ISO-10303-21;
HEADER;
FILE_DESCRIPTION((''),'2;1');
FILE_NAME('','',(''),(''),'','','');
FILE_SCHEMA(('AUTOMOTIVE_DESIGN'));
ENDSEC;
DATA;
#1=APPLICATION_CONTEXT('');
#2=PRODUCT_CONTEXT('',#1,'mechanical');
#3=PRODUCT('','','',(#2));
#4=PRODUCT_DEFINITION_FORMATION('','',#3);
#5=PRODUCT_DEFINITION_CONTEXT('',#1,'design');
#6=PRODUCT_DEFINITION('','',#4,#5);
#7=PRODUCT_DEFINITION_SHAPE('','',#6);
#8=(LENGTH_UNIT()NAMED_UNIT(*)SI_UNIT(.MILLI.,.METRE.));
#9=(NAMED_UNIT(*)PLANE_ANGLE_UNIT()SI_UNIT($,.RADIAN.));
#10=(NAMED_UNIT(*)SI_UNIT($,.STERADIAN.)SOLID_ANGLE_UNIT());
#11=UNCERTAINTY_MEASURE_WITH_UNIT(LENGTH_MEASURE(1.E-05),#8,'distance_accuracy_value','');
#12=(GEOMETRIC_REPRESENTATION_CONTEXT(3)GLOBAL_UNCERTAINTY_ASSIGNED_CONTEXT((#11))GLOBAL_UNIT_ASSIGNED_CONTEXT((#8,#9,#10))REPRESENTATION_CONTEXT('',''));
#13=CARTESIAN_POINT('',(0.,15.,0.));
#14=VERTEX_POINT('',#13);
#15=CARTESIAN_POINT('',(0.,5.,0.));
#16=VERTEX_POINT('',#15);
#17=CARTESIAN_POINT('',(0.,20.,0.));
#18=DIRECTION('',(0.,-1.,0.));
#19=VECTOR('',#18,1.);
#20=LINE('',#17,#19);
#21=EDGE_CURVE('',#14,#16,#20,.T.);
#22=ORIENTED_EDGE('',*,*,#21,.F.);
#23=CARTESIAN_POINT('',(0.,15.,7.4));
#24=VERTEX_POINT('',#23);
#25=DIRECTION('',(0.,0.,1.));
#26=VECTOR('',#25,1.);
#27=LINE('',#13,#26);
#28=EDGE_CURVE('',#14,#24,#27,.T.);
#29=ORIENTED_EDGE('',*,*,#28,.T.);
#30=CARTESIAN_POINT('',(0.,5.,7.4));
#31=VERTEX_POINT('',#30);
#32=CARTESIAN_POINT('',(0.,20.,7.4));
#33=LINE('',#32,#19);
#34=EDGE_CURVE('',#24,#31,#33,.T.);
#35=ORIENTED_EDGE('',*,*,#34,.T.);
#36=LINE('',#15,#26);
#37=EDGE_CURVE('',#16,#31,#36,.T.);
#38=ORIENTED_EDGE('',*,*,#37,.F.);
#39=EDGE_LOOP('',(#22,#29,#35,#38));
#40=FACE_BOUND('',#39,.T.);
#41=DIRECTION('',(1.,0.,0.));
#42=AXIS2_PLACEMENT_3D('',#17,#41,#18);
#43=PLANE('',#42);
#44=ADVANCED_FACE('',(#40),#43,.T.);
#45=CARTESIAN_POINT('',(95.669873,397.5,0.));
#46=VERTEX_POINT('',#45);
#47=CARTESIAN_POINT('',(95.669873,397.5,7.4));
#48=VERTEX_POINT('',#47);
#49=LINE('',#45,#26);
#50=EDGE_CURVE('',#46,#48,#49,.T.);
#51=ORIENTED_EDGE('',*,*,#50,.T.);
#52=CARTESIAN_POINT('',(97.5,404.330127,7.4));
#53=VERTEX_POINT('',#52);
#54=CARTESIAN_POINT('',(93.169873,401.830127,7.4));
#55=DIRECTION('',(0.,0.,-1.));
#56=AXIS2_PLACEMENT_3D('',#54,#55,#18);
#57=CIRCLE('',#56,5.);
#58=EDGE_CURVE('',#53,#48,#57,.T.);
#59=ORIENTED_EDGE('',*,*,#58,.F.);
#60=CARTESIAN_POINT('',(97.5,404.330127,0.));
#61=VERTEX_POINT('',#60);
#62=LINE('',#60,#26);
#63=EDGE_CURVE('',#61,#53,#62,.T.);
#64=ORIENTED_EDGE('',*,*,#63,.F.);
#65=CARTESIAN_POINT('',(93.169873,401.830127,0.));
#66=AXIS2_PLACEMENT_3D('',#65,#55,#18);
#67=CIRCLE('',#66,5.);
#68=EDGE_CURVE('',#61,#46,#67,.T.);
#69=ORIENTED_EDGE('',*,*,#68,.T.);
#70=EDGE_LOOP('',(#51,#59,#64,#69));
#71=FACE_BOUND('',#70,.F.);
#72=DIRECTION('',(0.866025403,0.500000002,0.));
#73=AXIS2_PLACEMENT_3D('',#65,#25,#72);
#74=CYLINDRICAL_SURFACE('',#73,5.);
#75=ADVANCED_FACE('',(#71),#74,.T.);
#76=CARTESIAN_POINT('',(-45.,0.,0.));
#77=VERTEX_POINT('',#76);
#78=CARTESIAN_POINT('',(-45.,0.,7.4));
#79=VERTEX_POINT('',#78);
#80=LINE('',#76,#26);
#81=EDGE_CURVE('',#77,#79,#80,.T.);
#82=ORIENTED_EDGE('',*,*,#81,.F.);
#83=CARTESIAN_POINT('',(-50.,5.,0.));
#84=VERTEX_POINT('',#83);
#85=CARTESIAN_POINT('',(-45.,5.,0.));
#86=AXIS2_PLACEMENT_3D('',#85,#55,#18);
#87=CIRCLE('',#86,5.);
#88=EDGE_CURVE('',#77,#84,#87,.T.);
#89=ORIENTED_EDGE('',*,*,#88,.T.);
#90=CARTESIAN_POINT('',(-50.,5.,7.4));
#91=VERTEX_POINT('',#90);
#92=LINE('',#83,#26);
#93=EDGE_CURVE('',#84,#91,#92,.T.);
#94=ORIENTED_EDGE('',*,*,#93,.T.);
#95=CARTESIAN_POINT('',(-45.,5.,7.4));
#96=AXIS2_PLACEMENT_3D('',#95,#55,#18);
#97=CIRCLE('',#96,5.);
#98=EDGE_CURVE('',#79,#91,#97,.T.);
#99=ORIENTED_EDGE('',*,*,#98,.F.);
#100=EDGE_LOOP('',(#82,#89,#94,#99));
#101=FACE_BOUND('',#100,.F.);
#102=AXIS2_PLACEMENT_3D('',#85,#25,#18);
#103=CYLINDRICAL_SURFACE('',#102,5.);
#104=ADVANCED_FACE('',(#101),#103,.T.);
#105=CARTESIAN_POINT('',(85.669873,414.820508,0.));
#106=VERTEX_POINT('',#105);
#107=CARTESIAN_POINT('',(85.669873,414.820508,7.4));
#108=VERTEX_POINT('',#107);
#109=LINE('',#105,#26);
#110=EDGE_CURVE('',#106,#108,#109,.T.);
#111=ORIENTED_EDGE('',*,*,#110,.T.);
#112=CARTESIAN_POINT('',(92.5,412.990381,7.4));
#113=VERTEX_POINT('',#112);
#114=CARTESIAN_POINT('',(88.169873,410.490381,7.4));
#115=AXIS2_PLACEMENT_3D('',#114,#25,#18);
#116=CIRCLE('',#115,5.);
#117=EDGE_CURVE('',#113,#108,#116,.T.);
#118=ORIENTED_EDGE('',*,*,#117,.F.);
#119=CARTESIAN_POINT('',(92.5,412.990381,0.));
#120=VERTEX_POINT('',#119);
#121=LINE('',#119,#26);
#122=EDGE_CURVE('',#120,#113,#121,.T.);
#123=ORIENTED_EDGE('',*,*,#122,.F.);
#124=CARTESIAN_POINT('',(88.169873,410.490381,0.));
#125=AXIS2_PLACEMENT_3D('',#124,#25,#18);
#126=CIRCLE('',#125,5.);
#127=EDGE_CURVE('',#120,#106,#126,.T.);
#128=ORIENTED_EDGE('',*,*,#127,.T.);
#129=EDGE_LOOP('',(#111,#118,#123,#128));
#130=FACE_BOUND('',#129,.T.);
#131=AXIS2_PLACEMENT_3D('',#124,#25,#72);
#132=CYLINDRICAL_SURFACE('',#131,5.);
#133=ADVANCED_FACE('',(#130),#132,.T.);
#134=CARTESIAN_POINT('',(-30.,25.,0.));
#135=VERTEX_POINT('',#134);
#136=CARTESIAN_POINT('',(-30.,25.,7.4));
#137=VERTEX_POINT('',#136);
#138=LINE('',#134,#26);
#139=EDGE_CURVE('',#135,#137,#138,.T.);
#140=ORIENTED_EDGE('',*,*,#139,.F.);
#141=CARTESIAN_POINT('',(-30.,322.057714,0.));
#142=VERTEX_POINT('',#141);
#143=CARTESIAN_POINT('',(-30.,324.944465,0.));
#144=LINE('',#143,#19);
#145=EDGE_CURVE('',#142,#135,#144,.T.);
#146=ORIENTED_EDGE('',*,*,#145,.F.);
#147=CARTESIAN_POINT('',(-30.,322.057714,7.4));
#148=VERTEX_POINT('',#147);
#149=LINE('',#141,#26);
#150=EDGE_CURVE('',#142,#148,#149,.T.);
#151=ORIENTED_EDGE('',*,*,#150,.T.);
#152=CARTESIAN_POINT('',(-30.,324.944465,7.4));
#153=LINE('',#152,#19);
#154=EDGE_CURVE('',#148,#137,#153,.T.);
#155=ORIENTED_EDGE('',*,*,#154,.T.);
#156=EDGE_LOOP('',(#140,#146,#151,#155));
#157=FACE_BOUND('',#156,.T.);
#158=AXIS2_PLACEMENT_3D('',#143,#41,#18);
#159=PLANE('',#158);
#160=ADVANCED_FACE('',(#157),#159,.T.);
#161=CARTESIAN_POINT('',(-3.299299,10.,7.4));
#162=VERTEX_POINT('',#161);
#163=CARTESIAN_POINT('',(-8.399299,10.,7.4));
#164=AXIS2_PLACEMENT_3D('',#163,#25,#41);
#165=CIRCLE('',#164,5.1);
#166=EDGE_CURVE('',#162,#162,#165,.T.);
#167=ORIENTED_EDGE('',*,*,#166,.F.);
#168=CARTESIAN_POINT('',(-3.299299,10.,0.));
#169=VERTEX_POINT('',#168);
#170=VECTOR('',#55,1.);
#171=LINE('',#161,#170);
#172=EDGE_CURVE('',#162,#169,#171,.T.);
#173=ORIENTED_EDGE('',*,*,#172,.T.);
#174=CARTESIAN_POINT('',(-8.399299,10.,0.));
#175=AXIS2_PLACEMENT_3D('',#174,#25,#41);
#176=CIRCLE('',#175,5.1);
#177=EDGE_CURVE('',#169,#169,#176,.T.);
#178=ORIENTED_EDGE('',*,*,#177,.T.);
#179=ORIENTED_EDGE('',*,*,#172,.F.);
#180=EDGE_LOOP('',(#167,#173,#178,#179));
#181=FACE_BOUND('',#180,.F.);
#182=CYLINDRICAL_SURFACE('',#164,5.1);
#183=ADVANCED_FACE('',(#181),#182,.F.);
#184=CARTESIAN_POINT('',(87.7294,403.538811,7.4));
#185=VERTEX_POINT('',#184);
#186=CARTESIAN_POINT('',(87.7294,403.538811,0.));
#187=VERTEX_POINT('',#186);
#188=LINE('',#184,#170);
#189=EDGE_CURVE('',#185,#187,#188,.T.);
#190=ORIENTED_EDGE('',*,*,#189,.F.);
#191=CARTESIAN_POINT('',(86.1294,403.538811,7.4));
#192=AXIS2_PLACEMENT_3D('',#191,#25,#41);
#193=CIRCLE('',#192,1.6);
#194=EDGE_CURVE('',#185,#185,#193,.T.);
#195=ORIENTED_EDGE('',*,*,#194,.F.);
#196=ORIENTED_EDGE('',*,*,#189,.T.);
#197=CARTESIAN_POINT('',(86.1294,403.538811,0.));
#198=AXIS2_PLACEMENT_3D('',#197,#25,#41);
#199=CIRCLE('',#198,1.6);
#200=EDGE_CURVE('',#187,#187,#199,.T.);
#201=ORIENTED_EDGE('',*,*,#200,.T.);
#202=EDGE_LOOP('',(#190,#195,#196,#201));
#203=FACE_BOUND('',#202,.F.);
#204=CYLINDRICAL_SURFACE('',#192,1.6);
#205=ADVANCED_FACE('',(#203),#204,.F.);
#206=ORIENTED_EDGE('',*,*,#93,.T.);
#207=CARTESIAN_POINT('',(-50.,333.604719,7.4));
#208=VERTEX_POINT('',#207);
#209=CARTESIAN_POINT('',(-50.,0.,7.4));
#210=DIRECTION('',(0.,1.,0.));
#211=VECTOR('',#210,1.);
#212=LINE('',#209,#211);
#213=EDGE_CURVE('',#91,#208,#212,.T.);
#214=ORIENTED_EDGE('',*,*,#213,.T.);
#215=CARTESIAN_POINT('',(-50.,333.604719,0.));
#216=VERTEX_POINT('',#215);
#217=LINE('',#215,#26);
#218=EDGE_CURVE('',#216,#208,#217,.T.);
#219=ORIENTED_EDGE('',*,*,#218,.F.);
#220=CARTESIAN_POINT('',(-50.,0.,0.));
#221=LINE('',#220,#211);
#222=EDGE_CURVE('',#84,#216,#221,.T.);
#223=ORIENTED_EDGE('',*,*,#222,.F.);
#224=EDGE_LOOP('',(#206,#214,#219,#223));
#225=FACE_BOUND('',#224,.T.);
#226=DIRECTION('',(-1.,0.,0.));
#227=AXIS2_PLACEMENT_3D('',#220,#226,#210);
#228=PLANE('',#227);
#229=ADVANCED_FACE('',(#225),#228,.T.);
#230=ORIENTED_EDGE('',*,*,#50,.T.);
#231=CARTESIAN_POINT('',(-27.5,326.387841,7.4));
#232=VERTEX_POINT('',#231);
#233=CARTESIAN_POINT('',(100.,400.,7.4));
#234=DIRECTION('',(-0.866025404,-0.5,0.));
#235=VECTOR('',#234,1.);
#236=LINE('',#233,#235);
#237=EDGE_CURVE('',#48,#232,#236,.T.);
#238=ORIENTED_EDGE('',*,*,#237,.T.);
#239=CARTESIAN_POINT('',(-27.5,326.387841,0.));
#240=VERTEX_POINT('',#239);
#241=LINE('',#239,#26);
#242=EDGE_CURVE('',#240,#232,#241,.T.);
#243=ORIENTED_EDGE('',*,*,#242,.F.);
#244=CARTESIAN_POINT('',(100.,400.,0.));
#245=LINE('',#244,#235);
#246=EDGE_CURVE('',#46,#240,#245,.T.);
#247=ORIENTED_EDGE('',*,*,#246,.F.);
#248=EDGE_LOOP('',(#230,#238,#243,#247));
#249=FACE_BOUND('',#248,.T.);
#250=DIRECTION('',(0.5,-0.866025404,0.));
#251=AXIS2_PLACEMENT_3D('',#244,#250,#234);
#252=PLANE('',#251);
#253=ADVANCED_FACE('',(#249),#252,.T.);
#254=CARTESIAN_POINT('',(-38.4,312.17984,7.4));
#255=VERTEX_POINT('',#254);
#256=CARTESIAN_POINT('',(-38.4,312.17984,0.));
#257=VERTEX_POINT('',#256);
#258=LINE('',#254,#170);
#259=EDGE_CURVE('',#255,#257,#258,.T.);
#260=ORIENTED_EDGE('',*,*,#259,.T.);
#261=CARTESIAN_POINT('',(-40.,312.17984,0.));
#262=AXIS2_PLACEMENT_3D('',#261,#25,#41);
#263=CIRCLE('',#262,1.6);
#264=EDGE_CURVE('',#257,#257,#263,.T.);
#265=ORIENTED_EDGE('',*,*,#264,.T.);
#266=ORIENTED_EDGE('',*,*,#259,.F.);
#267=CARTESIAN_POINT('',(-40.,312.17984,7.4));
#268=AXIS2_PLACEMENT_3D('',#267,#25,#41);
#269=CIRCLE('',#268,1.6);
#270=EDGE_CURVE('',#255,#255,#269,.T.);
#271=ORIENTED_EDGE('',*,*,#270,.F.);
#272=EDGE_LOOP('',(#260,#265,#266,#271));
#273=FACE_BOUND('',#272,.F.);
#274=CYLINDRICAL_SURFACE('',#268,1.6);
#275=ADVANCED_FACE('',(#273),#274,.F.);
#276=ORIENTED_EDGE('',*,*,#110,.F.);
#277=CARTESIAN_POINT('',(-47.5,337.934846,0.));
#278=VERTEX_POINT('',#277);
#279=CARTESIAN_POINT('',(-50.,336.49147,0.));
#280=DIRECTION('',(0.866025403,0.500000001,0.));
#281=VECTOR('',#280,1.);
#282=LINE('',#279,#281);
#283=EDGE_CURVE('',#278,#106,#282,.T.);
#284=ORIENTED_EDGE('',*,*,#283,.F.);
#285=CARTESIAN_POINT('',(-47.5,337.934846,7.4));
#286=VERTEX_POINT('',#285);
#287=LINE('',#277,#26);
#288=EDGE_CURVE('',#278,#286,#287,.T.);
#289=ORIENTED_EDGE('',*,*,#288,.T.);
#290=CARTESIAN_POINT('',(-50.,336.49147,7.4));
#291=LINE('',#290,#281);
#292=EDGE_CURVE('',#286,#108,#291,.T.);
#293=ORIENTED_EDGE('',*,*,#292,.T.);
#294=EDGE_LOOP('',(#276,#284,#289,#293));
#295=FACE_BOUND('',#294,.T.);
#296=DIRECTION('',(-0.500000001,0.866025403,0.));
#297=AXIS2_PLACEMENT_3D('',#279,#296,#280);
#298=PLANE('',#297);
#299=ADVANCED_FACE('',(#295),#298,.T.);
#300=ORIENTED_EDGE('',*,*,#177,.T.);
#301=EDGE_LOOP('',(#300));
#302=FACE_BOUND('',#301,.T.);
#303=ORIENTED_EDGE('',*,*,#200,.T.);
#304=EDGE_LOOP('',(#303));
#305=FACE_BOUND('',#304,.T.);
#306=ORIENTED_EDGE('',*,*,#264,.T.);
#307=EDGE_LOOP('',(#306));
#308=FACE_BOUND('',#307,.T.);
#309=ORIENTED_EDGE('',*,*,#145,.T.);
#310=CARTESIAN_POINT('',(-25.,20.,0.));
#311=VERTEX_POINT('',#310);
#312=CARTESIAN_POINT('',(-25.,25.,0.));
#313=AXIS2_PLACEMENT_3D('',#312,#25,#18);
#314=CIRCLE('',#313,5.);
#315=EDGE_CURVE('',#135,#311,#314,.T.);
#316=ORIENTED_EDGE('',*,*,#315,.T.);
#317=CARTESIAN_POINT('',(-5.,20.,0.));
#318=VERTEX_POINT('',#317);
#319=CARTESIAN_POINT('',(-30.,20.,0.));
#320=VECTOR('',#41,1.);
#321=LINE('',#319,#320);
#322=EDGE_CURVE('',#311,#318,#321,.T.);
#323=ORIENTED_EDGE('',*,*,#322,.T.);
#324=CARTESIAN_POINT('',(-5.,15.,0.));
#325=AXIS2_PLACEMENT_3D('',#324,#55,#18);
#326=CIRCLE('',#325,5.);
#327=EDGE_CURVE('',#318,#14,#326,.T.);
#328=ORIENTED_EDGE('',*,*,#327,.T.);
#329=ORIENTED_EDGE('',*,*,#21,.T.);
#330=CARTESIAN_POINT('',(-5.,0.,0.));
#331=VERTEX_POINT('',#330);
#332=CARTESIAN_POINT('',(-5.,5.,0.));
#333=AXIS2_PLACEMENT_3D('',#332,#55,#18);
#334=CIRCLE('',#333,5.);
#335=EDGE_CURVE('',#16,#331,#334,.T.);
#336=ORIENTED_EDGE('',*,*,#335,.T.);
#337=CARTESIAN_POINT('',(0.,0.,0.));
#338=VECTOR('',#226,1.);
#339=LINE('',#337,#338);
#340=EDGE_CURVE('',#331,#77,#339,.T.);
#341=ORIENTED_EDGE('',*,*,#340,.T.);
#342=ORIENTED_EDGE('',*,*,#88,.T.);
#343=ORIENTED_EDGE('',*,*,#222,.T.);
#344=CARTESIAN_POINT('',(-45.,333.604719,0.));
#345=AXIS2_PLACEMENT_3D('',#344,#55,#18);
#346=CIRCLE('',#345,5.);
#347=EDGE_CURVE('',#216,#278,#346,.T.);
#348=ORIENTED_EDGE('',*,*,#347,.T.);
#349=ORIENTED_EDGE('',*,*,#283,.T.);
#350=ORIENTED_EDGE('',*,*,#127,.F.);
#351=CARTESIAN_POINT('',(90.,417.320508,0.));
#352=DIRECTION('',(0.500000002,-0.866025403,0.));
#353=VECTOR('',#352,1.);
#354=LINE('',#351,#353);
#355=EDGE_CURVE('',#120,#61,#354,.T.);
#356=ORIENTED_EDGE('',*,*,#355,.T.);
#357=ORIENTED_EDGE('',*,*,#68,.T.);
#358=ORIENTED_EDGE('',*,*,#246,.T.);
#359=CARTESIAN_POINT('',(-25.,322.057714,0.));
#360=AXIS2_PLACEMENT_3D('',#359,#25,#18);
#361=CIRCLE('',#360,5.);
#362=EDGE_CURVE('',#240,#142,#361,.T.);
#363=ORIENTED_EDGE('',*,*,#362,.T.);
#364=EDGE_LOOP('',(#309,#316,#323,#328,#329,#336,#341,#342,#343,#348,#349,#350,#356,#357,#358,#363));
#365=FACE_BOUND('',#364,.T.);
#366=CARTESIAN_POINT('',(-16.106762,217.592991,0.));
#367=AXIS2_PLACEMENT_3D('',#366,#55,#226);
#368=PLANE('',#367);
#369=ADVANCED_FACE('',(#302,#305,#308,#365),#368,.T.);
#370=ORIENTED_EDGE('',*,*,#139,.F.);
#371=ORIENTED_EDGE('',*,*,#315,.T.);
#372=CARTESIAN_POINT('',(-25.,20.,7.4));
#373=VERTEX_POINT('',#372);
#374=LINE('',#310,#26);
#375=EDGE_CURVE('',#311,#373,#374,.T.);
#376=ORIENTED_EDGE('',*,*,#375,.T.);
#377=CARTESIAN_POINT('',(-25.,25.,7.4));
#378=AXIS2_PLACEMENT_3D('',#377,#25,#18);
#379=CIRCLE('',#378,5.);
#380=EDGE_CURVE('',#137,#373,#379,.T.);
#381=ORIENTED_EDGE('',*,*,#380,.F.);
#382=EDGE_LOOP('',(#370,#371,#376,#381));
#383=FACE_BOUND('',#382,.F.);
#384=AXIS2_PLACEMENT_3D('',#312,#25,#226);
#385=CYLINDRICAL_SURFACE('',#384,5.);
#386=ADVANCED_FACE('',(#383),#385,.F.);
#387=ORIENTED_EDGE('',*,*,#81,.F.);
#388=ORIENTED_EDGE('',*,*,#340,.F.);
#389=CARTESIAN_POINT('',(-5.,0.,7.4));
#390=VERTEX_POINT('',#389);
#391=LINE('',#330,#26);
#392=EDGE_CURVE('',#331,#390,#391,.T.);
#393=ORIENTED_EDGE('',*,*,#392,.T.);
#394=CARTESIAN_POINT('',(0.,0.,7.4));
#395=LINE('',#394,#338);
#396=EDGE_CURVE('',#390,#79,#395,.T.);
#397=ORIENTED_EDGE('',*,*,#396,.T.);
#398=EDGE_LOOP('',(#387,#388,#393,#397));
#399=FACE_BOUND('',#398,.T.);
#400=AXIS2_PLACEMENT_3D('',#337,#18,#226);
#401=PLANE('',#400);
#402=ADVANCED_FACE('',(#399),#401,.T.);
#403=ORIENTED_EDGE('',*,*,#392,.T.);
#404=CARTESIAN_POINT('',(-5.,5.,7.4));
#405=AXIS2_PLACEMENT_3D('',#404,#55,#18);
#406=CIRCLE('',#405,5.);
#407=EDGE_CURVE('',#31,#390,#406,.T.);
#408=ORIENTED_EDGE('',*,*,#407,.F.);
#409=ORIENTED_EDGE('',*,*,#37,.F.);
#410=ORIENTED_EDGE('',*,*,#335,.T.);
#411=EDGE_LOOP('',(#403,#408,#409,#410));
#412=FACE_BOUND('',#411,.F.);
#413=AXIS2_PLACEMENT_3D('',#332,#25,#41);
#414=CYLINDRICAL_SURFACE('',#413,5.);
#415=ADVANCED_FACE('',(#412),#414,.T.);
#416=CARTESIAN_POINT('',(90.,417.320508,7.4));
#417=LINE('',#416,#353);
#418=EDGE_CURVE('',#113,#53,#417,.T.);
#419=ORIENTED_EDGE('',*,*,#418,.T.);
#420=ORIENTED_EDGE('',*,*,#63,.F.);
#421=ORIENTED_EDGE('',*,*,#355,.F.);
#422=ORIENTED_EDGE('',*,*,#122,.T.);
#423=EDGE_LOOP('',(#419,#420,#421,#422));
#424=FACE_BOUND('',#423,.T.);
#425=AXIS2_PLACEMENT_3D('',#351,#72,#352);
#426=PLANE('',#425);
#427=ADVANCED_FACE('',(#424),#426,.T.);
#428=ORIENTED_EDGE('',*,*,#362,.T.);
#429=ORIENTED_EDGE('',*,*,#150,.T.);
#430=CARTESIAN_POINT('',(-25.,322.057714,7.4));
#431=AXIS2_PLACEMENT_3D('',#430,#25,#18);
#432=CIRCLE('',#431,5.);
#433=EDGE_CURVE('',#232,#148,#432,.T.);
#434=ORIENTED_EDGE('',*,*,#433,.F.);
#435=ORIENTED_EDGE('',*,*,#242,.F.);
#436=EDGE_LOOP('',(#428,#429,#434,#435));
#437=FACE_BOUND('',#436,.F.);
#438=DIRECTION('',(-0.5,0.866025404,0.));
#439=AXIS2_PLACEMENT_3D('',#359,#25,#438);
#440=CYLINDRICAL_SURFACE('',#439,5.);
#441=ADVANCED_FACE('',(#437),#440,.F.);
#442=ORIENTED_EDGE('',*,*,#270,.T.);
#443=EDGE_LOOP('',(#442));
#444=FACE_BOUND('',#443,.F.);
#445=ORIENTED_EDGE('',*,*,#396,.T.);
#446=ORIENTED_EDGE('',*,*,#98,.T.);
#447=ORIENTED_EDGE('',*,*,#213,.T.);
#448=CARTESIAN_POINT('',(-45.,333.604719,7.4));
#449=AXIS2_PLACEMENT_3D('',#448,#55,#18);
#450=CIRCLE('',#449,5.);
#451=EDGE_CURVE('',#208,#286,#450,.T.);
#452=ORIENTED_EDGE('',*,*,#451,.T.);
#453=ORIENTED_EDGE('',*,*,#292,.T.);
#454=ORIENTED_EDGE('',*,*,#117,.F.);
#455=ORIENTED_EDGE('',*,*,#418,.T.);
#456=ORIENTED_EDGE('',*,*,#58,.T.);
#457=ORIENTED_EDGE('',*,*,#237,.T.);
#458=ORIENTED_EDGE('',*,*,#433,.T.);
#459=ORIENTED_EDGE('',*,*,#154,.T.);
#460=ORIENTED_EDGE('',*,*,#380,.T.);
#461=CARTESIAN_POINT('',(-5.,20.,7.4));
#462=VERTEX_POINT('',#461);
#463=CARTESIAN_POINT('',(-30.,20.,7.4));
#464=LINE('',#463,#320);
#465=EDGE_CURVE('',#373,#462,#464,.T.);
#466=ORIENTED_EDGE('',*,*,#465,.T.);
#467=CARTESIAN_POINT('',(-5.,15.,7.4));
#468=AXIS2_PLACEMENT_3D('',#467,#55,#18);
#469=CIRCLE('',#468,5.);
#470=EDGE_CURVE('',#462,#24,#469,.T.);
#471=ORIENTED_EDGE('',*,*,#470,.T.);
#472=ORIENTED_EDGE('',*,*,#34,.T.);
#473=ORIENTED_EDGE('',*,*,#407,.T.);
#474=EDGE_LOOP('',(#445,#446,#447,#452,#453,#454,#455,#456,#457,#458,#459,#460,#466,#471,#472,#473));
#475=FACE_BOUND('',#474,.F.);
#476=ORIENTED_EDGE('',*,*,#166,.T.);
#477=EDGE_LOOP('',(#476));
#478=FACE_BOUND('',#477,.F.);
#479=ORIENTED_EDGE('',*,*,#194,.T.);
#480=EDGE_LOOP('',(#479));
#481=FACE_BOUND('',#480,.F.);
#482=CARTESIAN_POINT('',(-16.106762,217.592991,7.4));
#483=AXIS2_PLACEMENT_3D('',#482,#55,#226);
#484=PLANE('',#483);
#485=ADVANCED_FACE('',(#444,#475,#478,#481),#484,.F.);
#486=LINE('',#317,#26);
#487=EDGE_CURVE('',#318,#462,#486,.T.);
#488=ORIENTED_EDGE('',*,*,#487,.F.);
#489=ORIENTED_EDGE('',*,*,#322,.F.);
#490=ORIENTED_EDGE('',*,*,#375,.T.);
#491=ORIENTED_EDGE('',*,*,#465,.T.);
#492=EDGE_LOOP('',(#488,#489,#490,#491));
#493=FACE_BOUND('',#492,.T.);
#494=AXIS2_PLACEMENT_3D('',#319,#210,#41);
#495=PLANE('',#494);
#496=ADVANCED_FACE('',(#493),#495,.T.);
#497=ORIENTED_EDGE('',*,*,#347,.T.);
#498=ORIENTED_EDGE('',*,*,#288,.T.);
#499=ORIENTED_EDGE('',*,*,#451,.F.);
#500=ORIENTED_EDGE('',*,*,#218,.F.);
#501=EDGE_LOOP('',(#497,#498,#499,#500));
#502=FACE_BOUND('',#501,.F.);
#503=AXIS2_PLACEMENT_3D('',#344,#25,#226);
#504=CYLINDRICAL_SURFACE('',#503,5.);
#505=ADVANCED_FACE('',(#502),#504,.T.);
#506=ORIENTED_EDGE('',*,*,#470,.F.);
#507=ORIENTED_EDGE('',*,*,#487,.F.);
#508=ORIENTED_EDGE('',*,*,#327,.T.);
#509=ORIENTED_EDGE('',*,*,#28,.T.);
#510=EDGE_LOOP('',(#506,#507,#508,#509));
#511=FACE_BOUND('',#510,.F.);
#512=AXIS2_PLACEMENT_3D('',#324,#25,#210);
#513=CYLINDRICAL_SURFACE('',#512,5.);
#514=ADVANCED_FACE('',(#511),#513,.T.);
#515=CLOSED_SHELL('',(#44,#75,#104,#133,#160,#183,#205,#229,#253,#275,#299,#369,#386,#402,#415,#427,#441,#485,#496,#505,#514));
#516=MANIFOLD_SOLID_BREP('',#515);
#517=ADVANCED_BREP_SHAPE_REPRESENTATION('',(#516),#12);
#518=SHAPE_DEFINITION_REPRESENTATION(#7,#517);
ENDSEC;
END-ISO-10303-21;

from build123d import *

# Parameters (mm, degrees)
PAD_DEPTH     = 7.4
FILLET_R      = 5
SKETCH001_R   = 1.6
SKETCH001_R_2 = 5.1
POCKET_DEPTH  = 7.401


with BuildPart() as part:
    # Sketch → Pad (new body)
    with BuildSketch(Plane.XY):
        Polygon((90, 417.320508), (100, 400), (-30, 324.944465), (-30, 20), (0, 20), (0, 0), (-50, 0), (-50, 336.49147), align=None)
    extrude(amount=PAD_DEPTH)

    # Fillet
    fillet_edges = [part.edges().sort_by_distance(p)[0] for p in [
        (0, 0, 3.7),
        (0, 20, 3.7),
        (-50, 0, 3.7),
        (-30, 324.944465, 3.7),
        (100, 400, 3.7),
        (-30, 20, 3.7),
        (90, 417.320508, 3.7),
        (-50, 336.49147, 3.7),
    ]]
    fillet(fillet_edges, radius=FILLET_R)

    # Sketch001 (on Face5 of Fillet) → Pocket (cut, through all)
    with BuildSketch(Plane.XY.offset(7.4)):
        with Locations((86.1294, 403.538811)):
            Circle(SKETCH001_R)
        with Locations((-40, 312.17984)):
            Circle(SKETCH001_R)
        with Locations((-8.399299, 10)):
            Circle(SKETCH001_R_2)
    extrude(amount=-POCKET_DEPTH, mode=Mode.SUBTRACT)


solid = part.part
